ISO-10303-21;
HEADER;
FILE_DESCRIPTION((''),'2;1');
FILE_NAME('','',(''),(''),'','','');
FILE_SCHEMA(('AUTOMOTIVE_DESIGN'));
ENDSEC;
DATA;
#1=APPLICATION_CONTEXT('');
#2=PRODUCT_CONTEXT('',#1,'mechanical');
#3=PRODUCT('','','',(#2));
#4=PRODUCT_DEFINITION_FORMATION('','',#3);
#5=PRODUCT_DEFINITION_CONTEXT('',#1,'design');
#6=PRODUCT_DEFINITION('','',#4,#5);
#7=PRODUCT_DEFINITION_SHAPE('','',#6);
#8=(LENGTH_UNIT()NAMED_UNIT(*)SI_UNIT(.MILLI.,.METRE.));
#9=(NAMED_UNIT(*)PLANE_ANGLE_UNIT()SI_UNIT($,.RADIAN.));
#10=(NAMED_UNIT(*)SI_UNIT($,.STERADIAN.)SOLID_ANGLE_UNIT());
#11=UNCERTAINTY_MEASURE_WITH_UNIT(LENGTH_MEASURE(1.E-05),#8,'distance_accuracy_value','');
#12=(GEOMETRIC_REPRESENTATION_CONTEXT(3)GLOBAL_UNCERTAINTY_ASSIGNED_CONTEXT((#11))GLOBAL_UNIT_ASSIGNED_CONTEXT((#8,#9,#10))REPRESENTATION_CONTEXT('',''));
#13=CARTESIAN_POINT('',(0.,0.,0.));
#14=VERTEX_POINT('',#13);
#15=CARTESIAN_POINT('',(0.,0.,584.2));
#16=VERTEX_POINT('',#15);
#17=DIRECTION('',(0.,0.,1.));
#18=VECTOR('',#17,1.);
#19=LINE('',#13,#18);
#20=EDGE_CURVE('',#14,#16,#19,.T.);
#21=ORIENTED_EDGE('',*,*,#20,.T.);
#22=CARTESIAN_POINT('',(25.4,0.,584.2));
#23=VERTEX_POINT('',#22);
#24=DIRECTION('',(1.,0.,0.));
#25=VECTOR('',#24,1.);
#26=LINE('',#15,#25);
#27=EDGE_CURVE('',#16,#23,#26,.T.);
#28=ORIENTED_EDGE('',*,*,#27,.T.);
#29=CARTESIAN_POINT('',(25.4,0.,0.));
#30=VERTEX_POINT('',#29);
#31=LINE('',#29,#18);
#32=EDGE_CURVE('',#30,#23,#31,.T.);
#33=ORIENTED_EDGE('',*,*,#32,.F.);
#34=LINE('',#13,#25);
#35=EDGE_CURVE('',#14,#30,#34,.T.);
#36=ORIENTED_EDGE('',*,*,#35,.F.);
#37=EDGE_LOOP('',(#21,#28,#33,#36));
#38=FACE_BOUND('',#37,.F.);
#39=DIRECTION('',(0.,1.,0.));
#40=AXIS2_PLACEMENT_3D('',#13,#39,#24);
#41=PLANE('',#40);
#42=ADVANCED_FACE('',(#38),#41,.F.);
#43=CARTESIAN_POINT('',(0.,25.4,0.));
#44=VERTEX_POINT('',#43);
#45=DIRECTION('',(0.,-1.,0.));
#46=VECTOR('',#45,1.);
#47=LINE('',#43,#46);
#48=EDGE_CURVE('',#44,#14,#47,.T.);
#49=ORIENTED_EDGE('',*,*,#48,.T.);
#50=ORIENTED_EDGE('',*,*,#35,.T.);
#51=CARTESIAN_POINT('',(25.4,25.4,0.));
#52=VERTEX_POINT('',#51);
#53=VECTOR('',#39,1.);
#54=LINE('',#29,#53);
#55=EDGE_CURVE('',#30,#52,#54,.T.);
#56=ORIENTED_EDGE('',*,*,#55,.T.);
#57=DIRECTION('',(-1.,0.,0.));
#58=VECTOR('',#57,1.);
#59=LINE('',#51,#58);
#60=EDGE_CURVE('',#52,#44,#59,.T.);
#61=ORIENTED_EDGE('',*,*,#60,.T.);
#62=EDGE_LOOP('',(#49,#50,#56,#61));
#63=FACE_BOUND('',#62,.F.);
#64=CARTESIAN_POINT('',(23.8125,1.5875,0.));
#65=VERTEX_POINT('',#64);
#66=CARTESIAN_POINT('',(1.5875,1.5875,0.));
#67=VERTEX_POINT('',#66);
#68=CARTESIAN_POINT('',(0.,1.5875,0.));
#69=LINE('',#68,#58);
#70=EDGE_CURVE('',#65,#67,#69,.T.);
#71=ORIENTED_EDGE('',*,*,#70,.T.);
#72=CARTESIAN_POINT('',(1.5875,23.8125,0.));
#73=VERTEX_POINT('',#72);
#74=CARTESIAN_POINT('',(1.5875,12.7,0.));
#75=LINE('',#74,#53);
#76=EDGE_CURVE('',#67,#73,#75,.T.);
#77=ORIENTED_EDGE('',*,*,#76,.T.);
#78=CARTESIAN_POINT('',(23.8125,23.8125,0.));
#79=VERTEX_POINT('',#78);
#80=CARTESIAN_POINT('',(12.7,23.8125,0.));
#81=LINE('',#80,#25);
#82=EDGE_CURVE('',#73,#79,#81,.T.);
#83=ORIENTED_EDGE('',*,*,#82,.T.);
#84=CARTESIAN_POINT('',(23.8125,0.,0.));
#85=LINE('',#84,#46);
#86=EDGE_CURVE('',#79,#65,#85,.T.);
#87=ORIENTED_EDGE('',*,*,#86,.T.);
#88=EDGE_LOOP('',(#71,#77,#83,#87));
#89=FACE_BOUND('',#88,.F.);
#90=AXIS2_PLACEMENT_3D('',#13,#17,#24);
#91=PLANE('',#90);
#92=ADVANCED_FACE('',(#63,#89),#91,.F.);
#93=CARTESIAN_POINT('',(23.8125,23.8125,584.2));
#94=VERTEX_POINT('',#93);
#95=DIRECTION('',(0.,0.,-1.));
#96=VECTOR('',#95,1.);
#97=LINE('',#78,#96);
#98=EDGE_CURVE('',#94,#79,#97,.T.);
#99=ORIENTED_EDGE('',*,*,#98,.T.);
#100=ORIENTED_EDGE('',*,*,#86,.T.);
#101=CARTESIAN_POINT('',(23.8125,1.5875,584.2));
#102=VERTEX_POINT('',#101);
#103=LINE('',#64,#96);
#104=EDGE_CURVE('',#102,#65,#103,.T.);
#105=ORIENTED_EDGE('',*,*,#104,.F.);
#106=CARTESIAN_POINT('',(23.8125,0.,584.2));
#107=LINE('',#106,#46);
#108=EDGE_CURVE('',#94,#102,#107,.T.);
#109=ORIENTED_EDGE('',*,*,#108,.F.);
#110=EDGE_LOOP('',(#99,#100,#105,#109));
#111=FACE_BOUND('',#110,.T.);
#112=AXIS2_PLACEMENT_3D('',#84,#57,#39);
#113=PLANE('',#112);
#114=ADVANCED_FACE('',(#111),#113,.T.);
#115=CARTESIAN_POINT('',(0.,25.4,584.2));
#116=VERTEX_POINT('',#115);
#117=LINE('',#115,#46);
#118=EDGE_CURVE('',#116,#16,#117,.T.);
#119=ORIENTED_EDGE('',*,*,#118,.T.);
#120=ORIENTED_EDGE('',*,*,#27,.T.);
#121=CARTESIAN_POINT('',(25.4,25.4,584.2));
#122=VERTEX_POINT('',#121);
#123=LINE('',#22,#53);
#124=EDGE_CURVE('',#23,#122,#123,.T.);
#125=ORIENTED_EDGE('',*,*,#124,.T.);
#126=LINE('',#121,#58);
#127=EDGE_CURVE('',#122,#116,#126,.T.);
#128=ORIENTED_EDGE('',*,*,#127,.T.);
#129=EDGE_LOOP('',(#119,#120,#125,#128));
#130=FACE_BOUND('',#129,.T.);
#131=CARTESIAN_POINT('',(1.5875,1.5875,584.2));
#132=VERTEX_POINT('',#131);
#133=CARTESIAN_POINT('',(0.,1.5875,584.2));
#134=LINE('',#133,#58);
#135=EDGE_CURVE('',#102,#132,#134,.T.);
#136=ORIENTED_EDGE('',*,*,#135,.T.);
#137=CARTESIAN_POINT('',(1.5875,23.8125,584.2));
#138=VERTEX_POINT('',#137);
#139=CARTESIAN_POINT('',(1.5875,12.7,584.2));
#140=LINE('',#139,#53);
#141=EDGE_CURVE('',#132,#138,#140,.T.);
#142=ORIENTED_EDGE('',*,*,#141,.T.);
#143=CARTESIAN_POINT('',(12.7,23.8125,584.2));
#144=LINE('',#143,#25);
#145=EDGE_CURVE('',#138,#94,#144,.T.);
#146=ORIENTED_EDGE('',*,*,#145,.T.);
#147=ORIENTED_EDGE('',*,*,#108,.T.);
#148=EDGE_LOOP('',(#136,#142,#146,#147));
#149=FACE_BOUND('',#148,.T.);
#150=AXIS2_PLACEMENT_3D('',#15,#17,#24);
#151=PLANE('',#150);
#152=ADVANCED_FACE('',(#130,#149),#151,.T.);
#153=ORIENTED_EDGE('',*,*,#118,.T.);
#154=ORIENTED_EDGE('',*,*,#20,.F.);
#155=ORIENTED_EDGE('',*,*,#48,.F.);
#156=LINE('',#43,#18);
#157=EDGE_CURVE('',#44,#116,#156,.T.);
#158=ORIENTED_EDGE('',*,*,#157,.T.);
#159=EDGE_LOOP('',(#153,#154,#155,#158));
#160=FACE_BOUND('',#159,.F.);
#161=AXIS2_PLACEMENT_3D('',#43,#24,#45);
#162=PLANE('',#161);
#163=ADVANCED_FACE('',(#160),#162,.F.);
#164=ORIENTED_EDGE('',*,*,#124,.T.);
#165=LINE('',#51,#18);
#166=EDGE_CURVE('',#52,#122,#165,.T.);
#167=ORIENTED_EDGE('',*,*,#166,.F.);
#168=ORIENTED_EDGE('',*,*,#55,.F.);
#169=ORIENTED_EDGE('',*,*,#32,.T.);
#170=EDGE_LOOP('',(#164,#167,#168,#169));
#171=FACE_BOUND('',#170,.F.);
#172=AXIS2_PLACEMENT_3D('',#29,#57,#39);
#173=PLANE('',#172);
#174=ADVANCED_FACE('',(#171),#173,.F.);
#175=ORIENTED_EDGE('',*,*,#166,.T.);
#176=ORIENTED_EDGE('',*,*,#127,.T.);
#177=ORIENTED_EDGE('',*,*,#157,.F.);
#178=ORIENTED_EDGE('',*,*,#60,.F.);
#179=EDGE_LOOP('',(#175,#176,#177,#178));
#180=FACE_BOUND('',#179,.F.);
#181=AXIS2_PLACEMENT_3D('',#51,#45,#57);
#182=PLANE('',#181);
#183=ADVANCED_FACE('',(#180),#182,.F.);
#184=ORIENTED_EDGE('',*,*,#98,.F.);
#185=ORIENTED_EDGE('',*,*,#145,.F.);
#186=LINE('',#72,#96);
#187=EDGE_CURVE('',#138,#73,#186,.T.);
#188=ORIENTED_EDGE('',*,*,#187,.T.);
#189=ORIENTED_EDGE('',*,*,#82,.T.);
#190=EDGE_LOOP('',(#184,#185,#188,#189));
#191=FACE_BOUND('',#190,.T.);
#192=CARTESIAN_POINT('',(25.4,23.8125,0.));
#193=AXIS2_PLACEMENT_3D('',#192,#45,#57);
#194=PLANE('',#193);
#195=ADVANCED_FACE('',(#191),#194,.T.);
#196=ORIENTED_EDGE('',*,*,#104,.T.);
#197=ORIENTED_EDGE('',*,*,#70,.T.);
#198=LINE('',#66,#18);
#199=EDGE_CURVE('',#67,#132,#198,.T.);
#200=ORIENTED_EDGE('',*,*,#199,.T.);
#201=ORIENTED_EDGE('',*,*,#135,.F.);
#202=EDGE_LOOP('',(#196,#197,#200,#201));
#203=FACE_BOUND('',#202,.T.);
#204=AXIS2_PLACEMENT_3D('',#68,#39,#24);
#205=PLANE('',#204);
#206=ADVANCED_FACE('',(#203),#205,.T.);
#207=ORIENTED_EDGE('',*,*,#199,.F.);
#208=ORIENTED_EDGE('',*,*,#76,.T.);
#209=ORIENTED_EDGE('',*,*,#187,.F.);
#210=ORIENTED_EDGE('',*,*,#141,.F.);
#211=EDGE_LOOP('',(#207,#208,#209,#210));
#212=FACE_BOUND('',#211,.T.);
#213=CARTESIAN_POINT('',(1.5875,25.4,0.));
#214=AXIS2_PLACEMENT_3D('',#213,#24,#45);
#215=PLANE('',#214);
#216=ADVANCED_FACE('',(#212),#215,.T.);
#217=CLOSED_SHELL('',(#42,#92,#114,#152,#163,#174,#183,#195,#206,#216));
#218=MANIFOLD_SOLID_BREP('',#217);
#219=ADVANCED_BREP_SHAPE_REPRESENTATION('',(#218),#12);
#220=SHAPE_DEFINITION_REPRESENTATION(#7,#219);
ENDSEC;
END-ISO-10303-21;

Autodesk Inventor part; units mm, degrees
ref_plane "YZ Plane" through (0, 0, 0) normal (1, 0, 0) x (0, 1, 0)
ref_plane "XZ Plane" through (0, 0, 0) normal (0, 1, 0) x (-1, 0, 0)
ref_plane "XY Plane" through (0, 0, 0) normal (0, 0, 1) x (1, 0, 0)
sketch "Sketch1" plane through (0, 0, 0) normal (0, 0, 1) x (1, 0, 0)
  line L0 (0, 0) -> (25.4, 0)
  line L1 (25.4, 0) -> (25.4, 25.4)
  line L2 (25.4, 25.4) -> (0, 25.4)
  line L3 (0, 25.4) -> (0, 0)
  dimension "d0" = 25.4
  dimension "d1" = 25.4
extrude "Extrusion1" add sketch "Sketch1" along normal blind 584.2
shell "Shell1" thickness 1.5875 removed faces 2 at (8.4667, 16.9333, 0) at (8.4667, 16.9333, 584.2)
properties part number "Frame_FrontCrossRail" material "Aluminum-6061"
